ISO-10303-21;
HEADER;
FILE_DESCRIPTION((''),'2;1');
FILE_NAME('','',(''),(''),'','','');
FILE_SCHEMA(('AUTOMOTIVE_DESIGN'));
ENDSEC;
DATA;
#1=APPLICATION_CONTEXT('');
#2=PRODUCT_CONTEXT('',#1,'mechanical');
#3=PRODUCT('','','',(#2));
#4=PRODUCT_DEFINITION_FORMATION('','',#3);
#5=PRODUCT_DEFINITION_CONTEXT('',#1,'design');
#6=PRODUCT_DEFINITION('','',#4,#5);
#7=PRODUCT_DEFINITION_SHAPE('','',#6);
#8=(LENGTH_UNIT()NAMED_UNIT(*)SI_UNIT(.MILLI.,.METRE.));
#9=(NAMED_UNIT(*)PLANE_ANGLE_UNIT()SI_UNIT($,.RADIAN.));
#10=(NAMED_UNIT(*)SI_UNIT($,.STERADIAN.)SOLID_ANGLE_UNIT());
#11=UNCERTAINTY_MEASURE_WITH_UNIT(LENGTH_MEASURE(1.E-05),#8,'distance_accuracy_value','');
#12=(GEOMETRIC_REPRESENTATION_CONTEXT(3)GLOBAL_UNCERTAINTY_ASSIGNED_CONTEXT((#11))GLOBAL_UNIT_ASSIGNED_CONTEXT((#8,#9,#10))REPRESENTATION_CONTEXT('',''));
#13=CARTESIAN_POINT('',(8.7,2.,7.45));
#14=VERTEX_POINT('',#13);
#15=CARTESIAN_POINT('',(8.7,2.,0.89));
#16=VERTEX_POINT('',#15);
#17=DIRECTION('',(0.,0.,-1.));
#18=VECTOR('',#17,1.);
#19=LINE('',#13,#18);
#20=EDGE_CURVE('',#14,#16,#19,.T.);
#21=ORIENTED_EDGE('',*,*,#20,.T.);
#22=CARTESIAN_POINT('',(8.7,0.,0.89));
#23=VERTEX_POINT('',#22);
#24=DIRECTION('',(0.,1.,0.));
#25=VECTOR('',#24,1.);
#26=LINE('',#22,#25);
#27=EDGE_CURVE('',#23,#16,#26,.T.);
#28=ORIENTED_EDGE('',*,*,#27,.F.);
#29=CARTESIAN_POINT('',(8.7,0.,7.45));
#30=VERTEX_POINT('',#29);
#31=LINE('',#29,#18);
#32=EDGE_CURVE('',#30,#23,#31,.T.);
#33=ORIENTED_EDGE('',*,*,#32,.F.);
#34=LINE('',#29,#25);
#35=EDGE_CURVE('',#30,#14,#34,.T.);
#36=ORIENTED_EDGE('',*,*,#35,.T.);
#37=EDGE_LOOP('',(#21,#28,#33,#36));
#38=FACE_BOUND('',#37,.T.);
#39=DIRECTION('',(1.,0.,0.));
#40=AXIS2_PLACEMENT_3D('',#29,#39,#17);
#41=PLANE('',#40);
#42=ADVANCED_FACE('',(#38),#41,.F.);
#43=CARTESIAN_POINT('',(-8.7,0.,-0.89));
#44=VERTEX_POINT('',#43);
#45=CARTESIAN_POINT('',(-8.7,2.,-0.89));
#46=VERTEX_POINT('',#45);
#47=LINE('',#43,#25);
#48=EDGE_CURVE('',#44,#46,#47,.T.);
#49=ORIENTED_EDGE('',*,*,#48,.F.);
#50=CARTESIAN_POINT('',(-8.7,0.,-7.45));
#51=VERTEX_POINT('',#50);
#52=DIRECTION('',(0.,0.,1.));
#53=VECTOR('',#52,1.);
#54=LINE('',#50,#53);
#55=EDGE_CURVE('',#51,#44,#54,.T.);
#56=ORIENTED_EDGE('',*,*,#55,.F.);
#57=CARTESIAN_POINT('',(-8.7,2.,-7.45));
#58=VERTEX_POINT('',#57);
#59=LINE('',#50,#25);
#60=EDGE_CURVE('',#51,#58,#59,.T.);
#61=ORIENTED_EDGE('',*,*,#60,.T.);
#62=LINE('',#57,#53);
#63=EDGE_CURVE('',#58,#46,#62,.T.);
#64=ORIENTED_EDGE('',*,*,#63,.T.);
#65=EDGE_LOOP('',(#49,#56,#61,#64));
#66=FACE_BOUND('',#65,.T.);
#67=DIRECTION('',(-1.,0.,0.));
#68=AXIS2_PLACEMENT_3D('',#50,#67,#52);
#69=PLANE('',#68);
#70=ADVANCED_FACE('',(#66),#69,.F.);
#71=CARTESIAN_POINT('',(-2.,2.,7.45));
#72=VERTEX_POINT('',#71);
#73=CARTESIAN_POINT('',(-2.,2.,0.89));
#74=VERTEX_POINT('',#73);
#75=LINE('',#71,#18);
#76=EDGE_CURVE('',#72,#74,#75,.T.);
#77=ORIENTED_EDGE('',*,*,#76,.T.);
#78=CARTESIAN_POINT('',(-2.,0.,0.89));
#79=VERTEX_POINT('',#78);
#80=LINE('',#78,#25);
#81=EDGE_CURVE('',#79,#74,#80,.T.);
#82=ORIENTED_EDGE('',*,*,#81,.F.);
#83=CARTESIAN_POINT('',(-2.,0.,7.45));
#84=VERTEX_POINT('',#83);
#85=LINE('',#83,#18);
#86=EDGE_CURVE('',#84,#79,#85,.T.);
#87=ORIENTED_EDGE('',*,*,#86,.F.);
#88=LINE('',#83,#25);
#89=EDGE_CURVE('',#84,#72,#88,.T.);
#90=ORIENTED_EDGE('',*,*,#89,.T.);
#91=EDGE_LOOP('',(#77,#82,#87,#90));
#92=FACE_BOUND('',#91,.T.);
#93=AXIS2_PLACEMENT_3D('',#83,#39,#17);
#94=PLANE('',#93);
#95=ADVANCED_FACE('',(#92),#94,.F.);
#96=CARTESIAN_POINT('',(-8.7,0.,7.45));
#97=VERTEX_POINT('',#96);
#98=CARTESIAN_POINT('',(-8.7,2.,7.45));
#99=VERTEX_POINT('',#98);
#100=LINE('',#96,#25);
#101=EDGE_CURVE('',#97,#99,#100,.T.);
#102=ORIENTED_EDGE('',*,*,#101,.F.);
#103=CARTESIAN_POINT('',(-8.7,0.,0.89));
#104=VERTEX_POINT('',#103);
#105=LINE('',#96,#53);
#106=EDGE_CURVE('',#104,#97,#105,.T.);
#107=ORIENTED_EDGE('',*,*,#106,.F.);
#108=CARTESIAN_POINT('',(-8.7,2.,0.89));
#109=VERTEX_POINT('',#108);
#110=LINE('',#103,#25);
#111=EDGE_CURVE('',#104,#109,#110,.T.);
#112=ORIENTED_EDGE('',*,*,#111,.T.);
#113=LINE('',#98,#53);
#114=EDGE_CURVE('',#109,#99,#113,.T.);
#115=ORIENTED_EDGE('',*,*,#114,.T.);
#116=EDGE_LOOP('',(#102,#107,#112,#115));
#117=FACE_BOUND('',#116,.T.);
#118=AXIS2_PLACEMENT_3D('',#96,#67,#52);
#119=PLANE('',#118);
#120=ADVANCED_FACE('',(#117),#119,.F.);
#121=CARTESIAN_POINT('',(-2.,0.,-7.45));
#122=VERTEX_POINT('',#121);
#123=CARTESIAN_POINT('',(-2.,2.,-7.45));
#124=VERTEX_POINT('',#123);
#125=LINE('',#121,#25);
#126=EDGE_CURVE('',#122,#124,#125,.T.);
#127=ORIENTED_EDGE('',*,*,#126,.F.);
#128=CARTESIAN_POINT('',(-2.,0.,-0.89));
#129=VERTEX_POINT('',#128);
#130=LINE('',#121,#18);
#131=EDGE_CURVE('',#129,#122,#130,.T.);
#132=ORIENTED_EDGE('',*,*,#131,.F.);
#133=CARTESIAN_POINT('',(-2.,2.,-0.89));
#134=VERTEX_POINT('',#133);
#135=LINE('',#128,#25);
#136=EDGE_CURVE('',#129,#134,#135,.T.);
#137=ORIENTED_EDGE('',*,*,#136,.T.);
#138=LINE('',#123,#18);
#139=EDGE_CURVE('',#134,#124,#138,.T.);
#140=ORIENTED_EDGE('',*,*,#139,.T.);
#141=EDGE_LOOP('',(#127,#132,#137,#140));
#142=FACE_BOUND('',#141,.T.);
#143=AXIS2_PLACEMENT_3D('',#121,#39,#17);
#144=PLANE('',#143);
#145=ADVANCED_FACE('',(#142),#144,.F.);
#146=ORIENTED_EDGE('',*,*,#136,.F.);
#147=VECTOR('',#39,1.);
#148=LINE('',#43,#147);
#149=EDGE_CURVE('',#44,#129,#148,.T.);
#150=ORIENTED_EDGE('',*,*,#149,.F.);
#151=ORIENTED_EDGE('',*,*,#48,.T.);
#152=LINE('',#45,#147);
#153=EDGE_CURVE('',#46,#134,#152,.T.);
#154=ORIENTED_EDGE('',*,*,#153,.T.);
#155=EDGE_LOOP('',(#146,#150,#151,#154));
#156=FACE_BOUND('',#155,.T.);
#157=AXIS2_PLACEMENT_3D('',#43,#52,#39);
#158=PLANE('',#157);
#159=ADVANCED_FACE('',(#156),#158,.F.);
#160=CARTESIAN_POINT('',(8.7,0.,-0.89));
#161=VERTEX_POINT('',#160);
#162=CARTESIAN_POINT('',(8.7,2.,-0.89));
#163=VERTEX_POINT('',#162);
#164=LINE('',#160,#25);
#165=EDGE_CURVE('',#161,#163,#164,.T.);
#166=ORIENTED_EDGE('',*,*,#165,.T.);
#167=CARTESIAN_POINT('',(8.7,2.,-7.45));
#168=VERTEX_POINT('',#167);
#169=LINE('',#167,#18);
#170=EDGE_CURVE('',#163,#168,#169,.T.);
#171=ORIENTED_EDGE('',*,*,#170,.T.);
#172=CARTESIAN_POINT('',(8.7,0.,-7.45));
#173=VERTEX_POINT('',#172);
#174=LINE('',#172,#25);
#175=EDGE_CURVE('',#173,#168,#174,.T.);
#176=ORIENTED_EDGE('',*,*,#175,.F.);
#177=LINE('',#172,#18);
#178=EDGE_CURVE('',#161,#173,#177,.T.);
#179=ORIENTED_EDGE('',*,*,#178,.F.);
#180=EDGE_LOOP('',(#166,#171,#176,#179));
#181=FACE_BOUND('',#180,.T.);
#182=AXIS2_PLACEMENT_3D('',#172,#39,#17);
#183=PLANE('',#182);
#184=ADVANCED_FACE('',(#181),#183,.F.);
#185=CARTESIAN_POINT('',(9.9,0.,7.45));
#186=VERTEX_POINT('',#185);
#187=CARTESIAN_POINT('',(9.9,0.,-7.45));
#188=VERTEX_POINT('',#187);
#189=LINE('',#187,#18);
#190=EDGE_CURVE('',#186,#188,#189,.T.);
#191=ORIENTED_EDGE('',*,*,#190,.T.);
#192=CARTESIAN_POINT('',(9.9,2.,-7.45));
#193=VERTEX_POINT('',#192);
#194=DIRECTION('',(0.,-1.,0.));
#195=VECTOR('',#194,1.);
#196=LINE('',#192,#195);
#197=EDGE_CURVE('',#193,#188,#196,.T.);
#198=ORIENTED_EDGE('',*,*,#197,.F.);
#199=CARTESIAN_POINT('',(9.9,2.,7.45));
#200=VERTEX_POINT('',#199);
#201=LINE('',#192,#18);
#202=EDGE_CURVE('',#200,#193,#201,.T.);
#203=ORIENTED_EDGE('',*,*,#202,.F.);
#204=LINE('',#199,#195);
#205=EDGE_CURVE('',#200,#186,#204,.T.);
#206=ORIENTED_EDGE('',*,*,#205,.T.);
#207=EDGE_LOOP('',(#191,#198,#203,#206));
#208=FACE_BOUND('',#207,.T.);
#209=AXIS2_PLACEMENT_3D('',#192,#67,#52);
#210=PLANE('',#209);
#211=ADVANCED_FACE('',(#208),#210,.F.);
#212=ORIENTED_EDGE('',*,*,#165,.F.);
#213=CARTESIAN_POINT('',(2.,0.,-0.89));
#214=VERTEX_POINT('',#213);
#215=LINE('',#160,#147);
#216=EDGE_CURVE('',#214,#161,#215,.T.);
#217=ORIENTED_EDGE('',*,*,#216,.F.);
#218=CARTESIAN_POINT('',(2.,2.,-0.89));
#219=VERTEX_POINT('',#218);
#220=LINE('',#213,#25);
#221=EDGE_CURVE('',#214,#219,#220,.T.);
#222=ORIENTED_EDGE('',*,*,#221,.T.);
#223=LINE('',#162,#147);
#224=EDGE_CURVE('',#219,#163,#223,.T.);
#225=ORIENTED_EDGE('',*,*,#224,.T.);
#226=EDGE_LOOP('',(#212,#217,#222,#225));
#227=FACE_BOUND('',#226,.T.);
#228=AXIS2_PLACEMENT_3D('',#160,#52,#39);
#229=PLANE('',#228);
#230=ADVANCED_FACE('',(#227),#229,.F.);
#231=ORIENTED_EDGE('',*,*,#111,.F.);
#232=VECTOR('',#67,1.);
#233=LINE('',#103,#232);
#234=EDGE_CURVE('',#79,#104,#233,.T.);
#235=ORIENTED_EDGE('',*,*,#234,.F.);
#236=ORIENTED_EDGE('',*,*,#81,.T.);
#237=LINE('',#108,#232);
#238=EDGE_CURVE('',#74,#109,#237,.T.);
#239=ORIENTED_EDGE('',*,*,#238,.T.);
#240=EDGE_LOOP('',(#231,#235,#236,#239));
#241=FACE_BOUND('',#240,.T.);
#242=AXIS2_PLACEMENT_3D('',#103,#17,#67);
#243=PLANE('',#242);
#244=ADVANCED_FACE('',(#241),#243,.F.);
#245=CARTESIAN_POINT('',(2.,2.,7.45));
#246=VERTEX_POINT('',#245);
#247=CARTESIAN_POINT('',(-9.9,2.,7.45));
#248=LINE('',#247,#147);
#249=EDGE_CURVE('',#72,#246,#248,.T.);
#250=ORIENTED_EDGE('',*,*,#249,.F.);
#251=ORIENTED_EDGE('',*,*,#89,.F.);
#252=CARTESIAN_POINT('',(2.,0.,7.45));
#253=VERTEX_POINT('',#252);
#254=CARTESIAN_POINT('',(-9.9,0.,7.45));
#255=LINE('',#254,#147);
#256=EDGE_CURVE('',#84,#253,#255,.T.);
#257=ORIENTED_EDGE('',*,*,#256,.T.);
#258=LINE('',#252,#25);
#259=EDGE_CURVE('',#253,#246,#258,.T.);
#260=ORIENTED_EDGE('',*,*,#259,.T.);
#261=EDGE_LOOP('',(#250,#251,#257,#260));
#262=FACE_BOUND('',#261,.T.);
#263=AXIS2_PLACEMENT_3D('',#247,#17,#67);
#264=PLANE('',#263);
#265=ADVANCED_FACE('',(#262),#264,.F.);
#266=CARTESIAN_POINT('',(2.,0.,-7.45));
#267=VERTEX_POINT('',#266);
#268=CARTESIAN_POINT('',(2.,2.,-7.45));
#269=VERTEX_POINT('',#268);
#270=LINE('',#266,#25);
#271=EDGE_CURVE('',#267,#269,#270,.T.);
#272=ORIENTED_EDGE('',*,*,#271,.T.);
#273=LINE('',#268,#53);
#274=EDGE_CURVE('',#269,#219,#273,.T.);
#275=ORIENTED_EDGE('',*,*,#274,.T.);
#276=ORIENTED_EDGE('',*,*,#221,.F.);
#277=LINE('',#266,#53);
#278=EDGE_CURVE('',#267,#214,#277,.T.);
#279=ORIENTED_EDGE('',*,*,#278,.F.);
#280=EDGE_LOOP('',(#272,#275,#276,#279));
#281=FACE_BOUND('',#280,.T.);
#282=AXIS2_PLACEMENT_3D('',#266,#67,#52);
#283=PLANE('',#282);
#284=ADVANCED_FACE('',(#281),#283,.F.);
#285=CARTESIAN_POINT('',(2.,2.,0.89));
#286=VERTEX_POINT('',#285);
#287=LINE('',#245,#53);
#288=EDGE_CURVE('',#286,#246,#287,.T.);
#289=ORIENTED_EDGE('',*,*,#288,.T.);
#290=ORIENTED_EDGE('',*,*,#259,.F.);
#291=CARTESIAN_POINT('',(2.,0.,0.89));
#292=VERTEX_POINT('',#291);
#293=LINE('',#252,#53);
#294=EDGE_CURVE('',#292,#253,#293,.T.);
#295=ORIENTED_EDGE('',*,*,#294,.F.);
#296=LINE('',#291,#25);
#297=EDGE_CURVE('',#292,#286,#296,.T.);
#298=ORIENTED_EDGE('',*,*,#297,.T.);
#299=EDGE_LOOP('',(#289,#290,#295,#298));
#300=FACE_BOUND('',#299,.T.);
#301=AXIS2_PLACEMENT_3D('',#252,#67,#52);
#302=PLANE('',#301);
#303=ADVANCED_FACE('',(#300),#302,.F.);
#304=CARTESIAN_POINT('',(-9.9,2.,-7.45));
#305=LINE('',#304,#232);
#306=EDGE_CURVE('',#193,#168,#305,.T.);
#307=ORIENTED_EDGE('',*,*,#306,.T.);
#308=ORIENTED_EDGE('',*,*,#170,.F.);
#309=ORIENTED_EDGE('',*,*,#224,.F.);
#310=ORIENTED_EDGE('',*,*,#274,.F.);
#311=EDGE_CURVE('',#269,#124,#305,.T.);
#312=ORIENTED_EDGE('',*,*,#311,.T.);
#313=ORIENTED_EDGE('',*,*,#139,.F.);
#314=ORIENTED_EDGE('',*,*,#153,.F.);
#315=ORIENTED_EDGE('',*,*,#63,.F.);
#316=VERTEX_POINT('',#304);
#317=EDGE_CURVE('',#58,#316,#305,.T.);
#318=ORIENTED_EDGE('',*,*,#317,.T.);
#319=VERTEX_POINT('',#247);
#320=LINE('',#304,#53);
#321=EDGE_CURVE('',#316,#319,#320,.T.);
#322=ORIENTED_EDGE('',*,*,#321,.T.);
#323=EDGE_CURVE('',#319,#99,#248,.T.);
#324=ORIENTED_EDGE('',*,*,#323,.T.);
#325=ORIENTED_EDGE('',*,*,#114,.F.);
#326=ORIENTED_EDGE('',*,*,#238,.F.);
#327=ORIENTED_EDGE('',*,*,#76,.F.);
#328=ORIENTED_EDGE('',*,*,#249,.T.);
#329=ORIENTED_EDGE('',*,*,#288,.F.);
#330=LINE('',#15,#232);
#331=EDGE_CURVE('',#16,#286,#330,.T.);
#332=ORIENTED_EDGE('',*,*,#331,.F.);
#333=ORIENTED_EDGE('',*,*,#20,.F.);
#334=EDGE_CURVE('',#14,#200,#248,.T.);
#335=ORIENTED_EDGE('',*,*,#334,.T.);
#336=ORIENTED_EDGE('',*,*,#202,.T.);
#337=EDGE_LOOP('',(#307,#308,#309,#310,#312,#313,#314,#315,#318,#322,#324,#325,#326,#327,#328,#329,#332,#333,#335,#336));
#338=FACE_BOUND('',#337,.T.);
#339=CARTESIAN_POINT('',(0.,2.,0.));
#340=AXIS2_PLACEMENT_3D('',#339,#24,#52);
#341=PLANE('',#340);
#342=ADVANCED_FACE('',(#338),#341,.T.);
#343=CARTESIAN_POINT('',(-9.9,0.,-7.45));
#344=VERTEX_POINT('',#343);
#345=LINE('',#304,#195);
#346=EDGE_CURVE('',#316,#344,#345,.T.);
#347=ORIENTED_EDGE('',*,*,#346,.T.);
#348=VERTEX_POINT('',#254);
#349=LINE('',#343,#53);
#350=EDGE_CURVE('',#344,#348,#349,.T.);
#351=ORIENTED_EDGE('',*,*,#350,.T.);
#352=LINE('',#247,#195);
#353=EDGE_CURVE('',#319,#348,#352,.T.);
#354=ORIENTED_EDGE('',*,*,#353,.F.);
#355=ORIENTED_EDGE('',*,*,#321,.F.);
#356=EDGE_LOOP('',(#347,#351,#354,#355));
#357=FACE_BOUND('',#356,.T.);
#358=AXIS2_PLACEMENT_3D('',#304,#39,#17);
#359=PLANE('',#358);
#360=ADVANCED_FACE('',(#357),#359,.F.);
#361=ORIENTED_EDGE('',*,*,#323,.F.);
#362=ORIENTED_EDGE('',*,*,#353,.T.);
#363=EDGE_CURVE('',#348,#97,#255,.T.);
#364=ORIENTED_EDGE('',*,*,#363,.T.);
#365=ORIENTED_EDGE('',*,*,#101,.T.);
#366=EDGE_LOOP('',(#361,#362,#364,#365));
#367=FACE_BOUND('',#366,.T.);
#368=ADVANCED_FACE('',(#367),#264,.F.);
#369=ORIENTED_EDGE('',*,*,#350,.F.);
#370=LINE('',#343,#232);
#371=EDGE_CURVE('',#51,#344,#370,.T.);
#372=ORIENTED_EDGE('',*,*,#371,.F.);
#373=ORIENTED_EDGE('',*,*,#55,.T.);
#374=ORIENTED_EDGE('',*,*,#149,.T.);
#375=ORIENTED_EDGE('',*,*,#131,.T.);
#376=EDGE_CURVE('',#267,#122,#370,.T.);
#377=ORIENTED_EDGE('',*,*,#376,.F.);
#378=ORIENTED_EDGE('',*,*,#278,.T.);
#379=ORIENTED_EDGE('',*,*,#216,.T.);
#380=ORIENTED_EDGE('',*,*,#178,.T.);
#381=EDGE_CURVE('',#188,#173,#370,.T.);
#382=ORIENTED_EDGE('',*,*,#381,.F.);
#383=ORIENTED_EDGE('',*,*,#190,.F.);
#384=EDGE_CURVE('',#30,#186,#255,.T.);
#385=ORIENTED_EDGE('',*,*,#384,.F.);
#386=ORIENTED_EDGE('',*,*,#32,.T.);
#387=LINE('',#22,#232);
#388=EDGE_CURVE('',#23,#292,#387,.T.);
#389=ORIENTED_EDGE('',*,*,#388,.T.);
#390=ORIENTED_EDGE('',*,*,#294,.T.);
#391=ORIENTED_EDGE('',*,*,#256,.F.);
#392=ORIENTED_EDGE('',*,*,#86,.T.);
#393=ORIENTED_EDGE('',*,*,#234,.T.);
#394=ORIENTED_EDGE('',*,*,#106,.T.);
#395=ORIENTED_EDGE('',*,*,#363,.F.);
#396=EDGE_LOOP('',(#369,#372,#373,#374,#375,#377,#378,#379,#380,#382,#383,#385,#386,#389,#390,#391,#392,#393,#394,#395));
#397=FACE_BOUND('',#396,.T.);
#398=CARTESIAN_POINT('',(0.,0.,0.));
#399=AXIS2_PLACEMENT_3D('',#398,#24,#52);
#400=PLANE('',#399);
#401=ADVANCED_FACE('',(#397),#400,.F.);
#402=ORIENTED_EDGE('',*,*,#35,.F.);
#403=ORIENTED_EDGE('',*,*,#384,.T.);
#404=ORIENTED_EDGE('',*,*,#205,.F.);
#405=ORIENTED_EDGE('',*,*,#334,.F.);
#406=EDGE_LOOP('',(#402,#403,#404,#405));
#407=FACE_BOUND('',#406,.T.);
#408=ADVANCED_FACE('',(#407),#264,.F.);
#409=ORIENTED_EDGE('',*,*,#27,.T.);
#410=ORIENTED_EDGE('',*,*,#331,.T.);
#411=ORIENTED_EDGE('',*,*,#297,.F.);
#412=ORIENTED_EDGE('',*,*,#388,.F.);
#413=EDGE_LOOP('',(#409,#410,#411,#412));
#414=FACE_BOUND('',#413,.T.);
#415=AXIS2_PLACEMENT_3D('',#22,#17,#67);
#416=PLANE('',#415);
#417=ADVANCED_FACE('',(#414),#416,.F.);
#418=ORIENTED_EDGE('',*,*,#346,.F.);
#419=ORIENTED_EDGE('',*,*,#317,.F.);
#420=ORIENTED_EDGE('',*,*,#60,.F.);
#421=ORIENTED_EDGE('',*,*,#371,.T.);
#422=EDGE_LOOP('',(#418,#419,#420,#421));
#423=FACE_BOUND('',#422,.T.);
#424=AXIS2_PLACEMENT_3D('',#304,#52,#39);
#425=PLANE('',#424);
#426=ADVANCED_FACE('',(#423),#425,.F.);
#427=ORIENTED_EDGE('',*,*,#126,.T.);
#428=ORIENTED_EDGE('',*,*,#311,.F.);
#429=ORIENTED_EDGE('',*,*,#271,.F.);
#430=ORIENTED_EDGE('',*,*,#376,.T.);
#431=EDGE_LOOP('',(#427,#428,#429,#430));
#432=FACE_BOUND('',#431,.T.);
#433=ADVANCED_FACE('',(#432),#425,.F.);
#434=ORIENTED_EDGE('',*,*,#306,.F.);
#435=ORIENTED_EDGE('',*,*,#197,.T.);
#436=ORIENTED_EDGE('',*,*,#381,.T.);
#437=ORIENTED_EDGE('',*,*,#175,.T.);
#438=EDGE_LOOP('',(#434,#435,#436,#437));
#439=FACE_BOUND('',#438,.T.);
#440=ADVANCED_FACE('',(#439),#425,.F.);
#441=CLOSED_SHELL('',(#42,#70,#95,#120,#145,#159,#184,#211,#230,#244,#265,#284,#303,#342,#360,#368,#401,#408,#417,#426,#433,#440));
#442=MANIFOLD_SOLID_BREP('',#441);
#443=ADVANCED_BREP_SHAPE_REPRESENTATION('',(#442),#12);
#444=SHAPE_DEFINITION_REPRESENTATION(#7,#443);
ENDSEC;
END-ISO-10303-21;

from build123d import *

# Parameters (mm, degrees)
SKETCH1_W           = 19.8
SKETCH1_H           = 14.9
BOSS_EXTRUDE1_DEPTH = 2
SKETCH2_W           = 6.7
SKETCH2_H           = 6.56
CUT_EXTRUDE2_DEPTH  = 13.5503984


with BuildPart() as part:
    # Sketch1 → Boss-Extrude1 (new body)
    with BuildSketch(Plane(origin=(0, 0, 0), x_dir=(1, 0, 0), z_dir=(0, 1, 0))):
        Rectangle(SKETCH1_W, SKETCH1_H)
    extrude(amount=BOSS_EXTRUDE1_DEPTH)

    # Sketch2 → Cut-Extrude2 (cut, through all)
    with BuildSketch(Plane(origin=(0, 2, 0), x_dir=(1, 0, 0), z_dir=(0, 1, 0))):
        with Locations((-5.35, 4.17)):
            Rectangle(SKETCH2_W, SKETCH2_H)
        with Locations((5.35, -4.17)):
            Rectangle(SKETCH2_W, SKETCH2_H)
        with Locations((-5.35, -4.17)):
            Rectangle(SKETCH2_W, SKETCH2_H)
        with Locations((5.35, 4.17)):
            Rectangle(SKETCH2_W, SKETCH2_H)
    extrude(amount=-CUT_EXTRUDE2_DEPTH, mode=Mode.SUBTRACT)


solid = part.part
